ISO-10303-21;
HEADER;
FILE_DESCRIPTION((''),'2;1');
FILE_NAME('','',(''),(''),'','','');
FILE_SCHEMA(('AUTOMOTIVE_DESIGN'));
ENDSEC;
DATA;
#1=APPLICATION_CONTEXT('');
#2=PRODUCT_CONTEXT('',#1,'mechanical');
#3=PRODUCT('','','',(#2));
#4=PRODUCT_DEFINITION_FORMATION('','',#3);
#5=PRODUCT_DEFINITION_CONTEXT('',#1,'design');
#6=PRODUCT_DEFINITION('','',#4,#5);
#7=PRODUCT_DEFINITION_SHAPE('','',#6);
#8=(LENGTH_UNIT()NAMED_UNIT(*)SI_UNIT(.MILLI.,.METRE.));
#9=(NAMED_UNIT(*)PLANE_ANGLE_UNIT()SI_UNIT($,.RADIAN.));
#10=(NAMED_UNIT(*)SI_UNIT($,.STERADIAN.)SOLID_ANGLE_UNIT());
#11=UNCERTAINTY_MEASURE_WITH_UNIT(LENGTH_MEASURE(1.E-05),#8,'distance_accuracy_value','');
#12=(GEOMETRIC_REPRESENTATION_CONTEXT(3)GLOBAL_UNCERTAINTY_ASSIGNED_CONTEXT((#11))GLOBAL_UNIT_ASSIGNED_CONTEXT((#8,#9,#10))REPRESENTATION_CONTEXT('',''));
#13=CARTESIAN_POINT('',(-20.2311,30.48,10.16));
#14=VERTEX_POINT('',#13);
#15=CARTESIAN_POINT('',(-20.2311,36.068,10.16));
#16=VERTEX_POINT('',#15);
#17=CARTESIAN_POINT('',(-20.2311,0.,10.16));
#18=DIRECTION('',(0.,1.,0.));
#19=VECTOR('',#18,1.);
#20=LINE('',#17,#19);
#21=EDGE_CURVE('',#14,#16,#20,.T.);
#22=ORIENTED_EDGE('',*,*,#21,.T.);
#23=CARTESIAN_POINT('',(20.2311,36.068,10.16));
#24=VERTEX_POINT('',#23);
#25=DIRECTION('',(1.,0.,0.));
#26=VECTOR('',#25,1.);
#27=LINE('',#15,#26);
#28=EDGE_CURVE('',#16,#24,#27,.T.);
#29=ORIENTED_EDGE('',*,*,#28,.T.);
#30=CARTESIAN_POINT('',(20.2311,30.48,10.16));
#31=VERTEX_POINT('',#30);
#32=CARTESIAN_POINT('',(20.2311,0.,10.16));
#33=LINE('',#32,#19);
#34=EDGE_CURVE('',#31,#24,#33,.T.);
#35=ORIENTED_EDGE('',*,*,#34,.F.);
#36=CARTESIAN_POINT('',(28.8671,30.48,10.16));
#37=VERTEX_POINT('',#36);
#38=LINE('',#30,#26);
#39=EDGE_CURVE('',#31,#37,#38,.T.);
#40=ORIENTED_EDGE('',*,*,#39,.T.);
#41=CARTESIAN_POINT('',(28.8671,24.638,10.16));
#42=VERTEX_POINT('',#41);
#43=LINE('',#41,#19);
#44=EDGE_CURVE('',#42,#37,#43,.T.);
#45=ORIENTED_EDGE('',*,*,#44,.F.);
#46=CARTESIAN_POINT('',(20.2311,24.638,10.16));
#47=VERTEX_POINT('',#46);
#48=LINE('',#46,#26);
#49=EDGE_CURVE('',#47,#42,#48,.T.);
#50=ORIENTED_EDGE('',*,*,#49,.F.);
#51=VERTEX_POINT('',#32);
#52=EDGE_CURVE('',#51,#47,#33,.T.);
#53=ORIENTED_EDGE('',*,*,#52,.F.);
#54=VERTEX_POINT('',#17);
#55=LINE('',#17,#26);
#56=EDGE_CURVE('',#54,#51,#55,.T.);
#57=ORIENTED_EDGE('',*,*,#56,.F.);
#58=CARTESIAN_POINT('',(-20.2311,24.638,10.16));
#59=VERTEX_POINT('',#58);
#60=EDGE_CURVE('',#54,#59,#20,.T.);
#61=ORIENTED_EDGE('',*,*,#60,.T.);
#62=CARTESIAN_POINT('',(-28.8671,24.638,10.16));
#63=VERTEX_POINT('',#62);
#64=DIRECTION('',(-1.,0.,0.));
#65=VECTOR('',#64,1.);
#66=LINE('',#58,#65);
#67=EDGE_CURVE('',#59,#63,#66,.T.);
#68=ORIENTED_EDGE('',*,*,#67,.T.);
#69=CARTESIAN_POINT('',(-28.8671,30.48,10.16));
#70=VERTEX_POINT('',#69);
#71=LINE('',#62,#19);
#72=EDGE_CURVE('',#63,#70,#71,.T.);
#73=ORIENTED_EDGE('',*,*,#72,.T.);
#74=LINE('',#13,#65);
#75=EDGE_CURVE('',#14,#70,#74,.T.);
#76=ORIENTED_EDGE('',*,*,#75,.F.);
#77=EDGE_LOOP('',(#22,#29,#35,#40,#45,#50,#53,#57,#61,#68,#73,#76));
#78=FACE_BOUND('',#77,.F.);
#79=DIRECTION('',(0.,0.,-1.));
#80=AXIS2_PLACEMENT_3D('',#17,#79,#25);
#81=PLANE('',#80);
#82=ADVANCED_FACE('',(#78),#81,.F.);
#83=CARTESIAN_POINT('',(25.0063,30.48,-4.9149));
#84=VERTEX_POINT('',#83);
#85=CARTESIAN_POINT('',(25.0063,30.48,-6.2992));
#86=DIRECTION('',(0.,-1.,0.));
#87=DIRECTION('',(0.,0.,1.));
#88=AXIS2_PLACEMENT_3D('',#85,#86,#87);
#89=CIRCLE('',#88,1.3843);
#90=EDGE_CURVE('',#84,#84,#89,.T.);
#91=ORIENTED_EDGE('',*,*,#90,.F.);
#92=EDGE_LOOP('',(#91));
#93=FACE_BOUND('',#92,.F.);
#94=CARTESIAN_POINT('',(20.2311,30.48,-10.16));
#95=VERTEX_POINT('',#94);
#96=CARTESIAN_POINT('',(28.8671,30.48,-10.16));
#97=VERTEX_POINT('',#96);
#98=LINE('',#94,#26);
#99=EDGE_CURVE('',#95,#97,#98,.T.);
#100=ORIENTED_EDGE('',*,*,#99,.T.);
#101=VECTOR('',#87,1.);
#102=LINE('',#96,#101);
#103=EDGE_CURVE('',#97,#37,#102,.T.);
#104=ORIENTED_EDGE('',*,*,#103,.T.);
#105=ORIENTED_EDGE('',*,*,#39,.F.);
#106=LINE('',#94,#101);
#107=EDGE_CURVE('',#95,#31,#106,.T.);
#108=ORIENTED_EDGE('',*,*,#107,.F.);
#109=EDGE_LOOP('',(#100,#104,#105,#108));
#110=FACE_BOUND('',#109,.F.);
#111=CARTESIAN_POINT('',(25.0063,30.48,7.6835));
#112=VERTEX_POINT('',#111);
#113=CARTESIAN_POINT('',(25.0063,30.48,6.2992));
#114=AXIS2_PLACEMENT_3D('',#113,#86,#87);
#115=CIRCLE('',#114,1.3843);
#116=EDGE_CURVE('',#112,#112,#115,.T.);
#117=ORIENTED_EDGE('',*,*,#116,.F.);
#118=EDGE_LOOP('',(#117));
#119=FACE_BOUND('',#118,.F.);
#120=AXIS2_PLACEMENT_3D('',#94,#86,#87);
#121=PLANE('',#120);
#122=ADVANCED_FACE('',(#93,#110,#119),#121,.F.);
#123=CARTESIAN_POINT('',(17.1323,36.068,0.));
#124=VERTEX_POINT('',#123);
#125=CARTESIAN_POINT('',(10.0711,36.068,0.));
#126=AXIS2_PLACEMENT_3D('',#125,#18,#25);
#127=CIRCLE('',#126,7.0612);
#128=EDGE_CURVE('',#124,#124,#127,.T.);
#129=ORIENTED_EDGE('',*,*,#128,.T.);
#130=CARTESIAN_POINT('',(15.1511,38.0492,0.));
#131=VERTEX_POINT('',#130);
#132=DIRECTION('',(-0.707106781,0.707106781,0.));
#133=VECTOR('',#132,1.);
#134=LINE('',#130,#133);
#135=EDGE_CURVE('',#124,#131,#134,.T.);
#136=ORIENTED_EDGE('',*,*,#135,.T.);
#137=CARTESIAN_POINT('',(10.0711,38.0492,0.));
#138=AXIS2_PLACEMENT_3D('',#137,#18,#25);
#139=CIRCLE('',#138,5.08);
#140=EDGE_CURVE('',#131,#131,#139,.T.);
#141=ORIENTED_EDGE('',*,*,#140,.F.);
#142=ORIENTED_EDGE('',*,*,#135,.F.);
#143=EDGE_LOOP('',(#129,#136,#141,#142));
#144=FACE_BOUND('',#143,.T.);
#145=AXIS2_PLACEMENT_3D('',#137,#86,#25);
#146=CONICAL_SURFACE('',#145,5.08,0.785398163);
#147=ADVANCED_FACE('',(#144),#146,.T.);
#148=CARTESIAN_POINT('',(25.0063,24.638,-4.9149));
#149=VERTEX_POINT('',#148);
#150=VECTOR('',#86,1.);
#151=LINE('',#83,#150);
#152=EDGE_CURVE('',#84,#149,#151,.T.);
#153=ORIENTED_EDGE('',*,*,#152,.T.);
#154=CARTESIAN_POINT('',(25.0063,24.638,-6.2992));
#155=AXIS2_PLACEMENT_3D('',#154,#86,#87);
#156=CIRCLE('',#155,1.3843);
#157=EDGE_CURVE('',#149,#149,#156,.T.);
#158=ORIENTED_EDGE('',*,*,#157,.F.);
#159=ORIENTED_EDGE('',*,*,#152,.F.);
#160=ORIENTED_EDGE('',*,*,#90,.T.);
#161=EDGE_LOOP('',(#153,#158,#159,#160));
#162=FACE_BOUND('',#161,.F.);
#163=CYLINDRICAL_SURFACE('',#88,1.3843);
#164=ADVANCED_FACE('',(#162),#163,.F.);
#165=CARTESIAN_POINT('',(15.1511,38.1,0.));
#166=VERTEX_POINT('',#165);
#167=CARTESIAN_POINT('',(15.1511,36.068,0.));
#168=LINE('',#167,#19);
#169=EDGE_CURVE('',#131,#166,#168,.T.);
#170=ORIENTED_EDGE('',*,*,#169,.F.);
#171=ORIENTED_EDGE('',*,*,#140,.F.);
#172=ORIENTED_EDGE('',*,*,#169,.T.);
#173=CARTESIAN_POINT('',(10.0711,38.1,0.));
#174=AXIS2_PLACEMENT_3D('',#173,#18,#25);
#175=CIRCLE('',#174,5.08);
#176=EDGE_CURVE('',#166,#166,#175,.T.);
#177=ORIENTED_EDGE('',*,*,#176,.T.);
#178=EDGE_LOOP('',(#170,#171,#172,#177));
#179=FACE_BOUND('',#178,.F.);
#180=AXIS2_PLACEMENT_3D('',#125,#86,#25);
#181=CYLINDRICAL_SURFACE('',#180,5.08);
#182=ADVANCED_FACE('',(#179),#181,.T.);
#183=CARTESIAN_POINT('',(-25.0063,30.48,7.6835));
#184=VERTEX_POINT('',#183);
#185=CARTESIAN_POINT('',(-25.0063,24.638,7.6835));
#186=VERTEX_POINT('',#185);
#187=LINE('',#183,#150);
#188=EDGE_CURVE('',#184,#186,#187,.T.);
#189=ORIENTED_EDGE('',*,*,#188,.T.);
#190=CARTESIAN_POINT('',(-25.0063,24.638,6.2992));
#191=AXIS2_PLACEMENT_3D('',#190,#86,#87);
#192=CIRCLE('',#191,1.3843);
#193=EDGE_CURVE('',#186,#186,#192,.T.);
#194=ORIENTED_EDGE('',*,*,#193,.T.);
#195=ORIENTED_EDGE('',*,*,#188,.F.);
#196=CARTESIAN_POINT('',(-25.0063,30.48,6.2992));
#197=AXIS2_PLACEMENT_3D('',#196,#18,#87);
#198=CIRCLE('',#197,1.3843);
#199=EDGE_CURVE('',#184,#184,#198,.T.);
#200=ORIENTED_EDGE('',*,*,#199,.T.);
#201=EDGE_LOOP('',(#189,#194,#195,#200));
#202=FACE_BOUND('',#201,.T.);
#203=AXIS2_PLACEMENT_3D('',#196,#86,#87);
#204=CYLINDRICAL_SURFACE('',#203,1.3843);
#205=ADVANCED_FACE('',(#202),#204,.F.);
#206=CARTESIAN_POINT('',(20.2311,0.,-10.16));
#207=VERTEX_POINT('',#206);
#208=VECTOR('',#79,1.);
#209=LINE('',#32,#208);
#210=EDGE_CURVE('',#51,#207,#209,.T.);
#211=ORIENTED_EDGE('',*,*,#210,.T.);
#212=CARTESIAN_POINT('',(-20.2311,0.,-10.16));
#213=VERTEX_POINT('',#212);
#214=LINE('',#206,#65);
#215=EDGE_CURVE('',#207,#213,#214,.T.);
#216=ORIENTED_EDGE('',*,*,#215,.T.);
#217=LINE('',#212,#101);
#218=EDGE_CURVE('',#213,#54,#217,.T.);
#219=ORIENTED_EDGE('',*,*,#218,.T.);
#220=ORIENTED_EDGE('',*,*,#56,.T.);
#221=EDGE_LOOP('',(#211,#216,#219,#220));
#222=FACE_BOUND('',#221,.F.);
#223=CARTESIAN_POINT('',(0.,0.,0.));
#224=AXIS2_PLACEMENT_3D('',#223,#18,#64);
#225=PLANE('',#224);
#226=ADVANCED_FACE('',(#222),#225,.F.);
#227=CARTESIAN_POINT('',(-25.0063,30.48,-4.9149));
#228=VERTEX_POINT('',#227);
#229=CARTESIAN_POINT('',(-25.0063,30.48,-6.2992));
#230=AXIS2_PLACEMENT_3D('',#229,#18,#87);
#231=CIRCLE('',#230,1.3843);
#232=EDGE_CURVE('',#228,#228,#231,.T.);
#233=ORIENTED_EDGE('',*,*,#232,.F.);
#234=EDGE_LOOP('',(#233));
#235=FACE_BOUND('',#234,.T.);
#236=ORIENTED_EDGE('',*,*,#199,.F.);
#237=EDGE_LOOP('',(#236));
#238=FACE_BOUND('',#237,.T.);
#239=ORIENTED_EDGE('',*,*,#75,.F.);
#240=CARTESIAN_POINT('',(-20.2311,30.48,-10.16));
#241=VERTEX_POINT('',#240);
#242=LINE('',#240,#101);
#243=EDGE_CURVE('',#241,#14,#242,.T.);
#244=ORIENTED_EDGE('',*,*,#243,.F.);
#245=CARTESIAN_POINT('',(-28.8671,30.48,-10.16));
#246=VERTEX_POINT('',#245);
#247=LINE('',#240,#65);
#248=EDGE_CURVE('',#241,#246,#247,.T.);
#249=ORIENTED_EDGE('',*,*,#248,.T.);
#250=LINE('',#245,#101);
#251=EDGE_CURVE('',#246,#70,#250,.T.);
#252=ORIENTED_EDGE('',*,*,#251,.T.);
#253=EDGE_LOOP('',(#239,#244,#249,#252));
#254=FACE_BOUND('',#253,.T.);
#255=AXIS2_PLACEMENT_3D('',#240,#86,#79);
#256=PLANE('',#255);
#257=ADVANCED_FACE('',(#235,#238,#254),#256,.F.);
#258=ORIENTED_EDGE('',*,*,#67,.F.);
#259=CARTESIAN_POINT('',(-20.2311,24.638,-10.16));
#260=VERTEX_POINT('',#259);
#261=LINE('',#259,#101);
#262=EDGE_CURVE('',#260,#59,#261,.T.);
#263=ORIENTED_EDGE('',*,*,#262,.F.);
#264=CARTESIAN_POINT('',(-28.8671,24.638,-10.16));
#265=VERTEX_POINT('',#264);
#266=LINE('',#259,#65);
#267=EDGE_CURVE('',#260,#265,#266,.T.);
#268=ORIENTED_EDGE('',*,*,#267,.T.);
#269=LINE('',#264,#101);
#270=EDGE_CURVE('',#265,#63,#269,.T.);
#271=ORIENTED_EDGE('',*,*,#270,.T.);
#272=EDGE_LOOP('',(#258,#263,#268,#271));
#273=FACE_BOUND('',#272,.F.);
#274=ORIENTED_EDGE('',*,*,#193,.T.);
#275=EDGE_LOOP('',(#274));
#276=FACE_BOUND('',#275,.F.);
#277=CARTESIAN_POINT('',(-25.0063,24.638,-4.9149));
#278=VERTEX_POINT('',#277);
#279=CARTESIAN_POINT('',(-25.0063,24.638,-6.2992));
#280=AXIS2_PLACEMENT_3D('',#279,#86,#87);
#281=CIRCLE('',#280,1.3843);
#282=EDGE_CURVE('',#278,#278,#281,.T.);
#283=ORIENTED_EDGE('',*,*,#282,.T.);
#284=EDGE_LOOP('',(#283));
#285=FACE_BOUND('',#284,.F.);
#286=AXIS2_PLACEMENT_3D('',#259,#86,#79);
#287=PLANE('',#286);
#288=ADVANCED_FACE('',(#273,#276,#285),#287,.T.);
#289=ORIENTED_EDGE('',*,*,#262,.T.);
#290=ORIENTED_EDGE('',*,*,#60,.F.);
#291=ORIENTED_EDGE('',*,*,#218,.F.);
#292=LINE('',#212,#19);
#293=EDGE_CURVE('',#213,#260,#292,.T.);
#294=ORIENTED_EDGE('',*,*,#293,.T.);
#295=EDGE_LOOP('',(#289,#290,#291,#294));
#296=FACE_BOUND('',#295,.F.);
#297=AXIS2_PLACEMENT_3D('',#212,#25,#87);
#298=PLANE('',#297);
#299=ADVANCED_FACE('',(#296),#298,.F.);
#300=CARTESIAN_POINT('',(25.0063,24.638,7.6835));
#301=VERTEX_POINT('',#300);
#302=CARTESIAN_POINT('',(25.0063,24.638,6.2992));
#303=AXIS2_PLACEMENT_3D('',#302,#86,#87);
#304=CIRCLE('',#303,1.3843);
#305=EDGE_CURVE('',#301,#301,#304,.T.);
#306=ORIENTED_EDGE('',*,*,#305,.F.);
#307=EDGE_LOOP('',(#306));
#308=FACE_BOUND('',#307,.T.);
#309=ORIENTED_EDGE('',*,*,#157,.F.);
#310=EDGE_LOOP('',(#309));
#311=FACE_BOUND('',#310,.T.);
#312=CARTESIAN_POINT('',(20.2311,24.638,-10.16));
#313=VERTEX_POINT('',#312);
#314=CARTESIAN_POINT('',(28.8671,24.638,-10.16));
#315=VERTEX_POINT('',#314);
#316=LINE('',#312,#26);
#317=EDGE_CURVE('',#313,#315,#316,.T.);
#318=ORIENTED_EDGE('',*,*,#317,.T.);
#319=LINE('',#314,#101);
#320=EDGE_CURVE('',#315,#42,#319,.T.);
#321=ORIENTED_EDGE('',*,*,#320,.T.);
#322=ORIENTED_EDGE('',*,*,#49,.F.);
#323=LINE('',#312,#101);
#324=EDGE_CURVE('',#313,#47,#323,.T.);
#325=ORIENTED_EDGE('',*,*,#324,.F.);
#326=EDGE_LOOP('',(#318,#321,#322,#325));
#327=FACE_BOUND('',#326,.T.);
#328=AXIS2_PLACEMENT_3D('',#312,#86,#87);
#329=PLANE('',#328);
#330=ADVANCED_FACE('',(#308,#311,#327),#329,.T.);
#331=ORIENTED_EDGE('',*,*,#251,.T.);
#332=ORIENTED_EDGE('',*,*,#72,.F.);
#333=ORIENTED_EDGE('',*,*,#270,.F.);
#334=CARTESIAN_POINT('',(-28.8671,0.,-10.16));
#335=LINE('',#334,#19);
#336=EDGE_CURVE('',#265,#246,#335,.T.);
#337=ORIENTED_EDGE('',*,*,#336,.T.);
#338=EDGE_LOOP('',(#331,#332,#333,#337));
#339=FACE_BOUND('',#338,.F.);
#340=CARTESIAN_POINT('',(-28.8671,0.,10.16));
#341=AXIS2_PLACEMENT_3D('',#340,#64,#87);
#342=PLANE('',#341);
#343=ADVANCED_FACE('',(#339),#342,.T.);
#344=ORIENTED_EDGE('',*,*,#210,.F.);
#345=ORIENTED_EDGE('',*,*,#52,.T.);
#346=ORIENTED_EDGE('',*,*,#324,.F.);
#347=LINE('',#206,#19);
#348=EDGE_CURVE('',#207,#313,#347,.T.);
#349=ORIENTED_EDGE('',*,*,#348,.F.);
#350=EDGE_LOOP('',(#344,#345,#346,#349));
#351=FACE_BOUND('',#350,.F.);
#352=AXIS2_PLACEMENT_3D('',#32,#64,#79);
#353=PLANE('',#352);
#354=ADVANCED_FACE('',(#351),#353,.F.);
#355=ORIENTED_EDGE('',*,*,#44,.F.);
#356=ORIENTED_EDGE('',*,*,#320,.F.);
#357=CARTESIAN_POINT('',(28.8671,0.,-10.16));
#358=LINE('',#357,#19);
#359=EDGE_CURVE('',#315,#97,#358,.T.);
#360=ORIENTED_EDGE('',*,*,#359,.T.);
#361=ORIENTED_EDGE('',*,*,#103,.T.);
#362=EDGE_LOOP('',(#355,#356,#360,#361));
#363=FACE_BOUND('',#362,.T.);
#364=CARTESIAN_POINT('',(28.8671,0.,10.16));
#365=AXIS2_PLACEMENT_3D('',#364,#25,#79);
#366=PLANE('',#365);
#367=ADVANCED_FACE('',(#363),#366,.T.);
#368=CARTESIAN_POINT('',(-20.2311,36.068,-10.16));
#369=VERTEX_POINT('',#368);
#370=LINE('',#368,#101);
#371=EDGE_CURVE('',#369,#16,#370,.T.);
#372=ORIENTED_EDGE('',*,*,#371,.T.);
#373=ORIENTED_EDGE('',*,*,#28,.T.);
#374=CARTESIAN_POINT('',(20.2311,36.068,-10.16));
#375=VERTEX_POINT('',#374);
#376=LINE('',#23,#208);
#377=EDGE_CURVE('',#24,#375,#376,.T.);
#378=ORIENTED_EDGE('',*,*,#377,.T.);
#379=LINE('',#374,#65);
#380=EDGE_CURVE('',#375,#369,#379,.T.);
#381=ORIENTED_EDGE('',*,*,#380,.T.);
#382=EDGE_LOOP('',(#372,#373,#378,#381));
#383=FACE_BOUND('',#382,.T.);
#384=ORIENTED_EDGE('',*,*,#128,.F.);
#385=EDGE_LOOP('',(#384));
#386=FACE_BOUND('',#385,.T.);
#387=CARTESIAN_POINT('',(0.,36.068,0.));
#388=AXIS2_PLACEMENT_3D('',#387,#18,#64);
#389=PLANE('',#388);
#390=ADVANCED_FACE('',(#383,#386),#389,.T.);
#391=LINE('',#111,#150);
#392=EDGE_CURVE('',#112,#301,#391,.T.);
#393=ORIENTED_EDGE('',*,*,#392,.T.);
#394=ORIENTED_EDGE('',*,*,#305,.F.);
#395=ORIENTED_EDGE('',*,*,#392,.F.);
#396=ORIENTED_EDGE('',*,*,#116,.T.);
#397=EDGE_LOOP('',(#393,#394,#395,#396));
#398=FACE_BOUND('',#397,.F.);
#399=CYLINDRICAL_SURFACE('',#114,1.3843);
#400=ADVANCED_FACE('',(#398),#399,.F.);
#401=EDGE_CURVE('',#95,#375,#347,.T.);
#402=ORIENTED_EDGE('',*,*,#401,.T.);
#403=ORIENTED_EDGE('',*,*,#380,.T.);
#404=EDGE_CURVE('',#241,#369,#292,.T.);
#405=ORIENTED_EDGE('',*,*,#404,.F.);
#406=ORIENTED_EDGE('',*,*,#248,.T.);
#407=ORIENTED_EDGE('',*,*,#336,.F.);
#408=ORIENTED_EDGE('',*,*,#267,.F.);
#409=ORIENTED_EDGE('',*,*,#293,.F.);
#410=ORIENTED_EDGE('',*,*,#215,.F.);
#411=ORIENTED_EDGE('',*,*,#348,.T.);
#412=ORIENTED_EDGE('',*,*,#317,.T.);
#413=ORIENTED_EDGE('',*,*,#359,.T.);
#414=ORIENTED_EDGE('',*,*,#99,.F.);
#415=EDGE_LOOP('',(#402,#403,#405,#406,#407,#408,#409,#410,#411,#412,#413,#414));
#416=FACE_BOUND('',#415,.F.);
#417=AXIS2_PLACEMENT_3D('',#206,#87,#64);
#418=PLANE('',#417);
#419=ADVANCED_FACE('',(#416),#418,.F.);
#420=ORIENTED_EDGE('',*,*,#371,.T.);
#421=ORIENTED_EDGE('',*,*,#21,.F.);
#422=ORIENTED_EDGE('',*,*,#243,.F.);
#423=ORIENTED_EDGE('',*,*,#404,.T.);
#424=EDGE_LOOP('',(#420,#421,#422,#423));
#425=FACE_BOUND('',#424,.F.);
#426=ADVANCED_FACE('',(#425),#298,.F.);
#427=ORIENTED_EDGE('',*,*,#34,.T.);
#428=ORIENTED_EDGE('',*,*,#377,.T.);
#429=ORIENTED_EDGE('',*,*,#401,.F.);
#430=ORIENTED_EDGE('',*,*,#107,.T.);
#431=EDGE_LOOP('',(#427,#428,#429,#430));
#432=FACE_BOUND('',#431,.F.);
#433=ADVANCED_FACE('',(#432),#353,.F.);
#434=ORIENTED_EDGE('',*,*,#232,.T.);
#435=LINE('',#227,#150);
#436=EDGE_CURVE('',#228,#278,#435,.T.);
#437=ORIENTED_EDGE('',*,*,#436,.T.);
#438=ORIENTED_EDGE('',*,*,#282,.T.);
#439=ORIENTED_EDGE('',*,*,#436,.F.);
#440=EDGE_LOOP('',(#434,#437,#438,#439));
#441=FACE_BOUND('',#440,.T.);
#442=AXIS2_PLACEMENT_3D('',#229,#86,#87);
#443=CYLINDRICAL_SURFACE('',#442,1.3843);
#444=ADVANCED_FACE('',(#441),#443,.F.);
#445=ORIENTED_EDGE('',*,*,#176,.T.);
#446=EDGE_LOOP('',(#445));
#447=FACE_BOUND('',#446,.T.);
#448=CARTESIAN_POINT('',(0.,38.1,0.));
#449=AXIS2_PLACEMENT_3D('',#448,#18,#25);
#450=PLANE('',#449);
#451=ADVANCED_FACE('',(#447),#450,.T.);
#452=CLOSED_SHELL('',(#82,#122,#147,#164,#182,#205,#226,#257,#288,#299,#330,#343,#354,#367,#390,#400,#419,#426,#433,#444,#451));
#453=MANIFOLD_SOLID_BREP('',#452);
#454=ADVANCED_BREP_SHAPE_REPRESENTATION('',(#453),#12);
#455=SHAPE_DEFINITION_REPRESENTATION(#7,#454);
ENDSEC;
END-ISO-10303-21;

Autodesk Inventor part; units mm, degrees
ref_plane "YZ Plane" through (0, 0, 0) normal (1, 0, 0) x (0, 1, 0)
ref_plane "XZ Plane" through (0, 0, 0) normal (0, 1, 0) x (-1, 0, 0)
ref_plane "XY Plane" through (0, 0, 0) normal (0, 0, 1) x (1, 0, 0)
sketch "Sketch1" plane through (0, 0, 0) normal (0, 1, 0) x (-1, 0, 0)
  line L0 (-20.2311, -10.16) -> (20.2311, -10.16)
  line L1 (20.2311, -10.16) -> (20.2311, 10.16)
  line L2 (20.2311, 10.16) -> (-20.2311, 10.16)
  line L3 (-20.2311, 10.16) -> (-20.2311, -10.16)
  line L4 (-20.2311, -10.16) -> (20.2311, 10.16) construction
  line L5 (20.2311, -10.16) -> (-20.2311, 10.16) construction
  point P0 (0, 0)
  dimension "d0" = 40.4622
  dimension "d1" = 20.32
extrude "Extrusion1" add sketch "Sketch1" along normal blind 36.068
sketch "Sketch2" plane through (0, 36.068, 0) normal (0, 1, 0) x (1, 0, 0)
  line L0 (-20.2311, -10.16) -> (20.2311, -10.16) projected
  line L1 (20.2311, -10.16) -> (20.2311, 10.16) projected
  circle A0 centre (10.0711, 0) radius 6.985
  circle A1 centre (10.0711, 0) radius 5.08
  point P0 (0, 0)
  dimension "d4" = 13.97
  dimension "d5" = 10.16
  dimension "d6" = 10.16
  dimension "d7" = 10.16
extrude "Extrusion2" add sketch "Sketch2" along normal blind 2.032 contours A1
chamfer "Chamfer1" distance 1.9812 angle 45 1 edges at (4.9911, 36.068, 0)
sketch "Sketch3" plane through (10.0711, 38.1, 0) normal (0, 1, 0) x (1, 0, 0)
  circle A0 centre (0, 0) radius 5.08 projected
  point P0 (-10.0711, 0)
ref_plane "Work Plane1" through (0, 38.1, 0) normal (1, 0, 0) x (0, 0, -1)
sketch "Sketch4" plane through (20.2311, 0, 10.16) normal (1, 0, 0) x (0, 0, -1)
  line L0 (20.32, 0) -> (20.32, 36.068) projected
  line L1 (0, 36.068) -> (20.32, 36.068)
  line L2 (20.32, 36.068) -> (20.32, 30.48)
  line L3 (20.32, 30.48) -> (0, 30.48)
  line L4 (0, 30.48) -> (0, 36.068)
  line L5 (0, 30.48) -> (20.32, 30.48)
  line L6 (20.32, 30.48) -> (20.32, 24.638)
  line L7 (20.32, 24.638) -> (0, 24.638)
  line L8 (0, 24.638) -> (0, 30.48)
  point P0 (10.16, 0)
  dimension "d14" = 5.588
  dimension "d16" = 5.842
extrude "Extrusion3" add sketch "Sketch4" along normal blind 8.636 contours L7 L8 L3 L0
sketch "Sketch5" plane through (20.2311, 30.48, 10.16) normal (0, 1, 0) x (1, 0, 0)
  line L0 (0, 0) -> (8.636, 0) projected
  line L1 (8.636, 20.32) -> (8.636, 0) projected
  line L2 (0, 20.32) -> (8.636, 20.32) projected
  point P0 (-20.2311, 10.16)
  point P1 (4.7752, 16.4592)
  point P2 (4.7752, 3.8608)
  dimension "d19" = 3.8608
  dimension "d20" = 3.8608
  dimension "d21" = 3.8608
  dimension "d22" = 3.8608
hole "Hole1" at (25.0063, 30.48, -6.2992) at (25.0063, 30.48, 6.2992) direction (0, -1, 0) diameter 2.7686 end through all
mirror "Mirror1" about plane through (0, 38.1, 0) normal (1, 0, 0) of "Extrusion3", "Hole1"
sketch "Sketch6" plane through (20.2311, 0, 10.16) normal (1, 0, 0) x (0, 0, -1)
  line L0 (20.32, 24.638) -> (0, 24.638) projected
  line L1 (0, 0) -> (0, 24.638) projected
  line L2 (0, 0) -> (20.32, 0) projected
  line L3 (20.32, 0) -> (20.32, 24.638) projected
  line L4 (5.7791, 2.54) -> (13.4355, 2.54)
  point P0 (10.16, 0)
  point P1 (10.16, 2.54)
  point P2 (10.922, 2.54)
  point P3 (9.398, 2.54)
  dimension "d30" = 0.762
  dimension "d32" = 0.762
  dimension "d33" = 0
  dimension "d34" = 2.54
equation "\"d32\" = d30"
properties material "Aluminum 6061"
